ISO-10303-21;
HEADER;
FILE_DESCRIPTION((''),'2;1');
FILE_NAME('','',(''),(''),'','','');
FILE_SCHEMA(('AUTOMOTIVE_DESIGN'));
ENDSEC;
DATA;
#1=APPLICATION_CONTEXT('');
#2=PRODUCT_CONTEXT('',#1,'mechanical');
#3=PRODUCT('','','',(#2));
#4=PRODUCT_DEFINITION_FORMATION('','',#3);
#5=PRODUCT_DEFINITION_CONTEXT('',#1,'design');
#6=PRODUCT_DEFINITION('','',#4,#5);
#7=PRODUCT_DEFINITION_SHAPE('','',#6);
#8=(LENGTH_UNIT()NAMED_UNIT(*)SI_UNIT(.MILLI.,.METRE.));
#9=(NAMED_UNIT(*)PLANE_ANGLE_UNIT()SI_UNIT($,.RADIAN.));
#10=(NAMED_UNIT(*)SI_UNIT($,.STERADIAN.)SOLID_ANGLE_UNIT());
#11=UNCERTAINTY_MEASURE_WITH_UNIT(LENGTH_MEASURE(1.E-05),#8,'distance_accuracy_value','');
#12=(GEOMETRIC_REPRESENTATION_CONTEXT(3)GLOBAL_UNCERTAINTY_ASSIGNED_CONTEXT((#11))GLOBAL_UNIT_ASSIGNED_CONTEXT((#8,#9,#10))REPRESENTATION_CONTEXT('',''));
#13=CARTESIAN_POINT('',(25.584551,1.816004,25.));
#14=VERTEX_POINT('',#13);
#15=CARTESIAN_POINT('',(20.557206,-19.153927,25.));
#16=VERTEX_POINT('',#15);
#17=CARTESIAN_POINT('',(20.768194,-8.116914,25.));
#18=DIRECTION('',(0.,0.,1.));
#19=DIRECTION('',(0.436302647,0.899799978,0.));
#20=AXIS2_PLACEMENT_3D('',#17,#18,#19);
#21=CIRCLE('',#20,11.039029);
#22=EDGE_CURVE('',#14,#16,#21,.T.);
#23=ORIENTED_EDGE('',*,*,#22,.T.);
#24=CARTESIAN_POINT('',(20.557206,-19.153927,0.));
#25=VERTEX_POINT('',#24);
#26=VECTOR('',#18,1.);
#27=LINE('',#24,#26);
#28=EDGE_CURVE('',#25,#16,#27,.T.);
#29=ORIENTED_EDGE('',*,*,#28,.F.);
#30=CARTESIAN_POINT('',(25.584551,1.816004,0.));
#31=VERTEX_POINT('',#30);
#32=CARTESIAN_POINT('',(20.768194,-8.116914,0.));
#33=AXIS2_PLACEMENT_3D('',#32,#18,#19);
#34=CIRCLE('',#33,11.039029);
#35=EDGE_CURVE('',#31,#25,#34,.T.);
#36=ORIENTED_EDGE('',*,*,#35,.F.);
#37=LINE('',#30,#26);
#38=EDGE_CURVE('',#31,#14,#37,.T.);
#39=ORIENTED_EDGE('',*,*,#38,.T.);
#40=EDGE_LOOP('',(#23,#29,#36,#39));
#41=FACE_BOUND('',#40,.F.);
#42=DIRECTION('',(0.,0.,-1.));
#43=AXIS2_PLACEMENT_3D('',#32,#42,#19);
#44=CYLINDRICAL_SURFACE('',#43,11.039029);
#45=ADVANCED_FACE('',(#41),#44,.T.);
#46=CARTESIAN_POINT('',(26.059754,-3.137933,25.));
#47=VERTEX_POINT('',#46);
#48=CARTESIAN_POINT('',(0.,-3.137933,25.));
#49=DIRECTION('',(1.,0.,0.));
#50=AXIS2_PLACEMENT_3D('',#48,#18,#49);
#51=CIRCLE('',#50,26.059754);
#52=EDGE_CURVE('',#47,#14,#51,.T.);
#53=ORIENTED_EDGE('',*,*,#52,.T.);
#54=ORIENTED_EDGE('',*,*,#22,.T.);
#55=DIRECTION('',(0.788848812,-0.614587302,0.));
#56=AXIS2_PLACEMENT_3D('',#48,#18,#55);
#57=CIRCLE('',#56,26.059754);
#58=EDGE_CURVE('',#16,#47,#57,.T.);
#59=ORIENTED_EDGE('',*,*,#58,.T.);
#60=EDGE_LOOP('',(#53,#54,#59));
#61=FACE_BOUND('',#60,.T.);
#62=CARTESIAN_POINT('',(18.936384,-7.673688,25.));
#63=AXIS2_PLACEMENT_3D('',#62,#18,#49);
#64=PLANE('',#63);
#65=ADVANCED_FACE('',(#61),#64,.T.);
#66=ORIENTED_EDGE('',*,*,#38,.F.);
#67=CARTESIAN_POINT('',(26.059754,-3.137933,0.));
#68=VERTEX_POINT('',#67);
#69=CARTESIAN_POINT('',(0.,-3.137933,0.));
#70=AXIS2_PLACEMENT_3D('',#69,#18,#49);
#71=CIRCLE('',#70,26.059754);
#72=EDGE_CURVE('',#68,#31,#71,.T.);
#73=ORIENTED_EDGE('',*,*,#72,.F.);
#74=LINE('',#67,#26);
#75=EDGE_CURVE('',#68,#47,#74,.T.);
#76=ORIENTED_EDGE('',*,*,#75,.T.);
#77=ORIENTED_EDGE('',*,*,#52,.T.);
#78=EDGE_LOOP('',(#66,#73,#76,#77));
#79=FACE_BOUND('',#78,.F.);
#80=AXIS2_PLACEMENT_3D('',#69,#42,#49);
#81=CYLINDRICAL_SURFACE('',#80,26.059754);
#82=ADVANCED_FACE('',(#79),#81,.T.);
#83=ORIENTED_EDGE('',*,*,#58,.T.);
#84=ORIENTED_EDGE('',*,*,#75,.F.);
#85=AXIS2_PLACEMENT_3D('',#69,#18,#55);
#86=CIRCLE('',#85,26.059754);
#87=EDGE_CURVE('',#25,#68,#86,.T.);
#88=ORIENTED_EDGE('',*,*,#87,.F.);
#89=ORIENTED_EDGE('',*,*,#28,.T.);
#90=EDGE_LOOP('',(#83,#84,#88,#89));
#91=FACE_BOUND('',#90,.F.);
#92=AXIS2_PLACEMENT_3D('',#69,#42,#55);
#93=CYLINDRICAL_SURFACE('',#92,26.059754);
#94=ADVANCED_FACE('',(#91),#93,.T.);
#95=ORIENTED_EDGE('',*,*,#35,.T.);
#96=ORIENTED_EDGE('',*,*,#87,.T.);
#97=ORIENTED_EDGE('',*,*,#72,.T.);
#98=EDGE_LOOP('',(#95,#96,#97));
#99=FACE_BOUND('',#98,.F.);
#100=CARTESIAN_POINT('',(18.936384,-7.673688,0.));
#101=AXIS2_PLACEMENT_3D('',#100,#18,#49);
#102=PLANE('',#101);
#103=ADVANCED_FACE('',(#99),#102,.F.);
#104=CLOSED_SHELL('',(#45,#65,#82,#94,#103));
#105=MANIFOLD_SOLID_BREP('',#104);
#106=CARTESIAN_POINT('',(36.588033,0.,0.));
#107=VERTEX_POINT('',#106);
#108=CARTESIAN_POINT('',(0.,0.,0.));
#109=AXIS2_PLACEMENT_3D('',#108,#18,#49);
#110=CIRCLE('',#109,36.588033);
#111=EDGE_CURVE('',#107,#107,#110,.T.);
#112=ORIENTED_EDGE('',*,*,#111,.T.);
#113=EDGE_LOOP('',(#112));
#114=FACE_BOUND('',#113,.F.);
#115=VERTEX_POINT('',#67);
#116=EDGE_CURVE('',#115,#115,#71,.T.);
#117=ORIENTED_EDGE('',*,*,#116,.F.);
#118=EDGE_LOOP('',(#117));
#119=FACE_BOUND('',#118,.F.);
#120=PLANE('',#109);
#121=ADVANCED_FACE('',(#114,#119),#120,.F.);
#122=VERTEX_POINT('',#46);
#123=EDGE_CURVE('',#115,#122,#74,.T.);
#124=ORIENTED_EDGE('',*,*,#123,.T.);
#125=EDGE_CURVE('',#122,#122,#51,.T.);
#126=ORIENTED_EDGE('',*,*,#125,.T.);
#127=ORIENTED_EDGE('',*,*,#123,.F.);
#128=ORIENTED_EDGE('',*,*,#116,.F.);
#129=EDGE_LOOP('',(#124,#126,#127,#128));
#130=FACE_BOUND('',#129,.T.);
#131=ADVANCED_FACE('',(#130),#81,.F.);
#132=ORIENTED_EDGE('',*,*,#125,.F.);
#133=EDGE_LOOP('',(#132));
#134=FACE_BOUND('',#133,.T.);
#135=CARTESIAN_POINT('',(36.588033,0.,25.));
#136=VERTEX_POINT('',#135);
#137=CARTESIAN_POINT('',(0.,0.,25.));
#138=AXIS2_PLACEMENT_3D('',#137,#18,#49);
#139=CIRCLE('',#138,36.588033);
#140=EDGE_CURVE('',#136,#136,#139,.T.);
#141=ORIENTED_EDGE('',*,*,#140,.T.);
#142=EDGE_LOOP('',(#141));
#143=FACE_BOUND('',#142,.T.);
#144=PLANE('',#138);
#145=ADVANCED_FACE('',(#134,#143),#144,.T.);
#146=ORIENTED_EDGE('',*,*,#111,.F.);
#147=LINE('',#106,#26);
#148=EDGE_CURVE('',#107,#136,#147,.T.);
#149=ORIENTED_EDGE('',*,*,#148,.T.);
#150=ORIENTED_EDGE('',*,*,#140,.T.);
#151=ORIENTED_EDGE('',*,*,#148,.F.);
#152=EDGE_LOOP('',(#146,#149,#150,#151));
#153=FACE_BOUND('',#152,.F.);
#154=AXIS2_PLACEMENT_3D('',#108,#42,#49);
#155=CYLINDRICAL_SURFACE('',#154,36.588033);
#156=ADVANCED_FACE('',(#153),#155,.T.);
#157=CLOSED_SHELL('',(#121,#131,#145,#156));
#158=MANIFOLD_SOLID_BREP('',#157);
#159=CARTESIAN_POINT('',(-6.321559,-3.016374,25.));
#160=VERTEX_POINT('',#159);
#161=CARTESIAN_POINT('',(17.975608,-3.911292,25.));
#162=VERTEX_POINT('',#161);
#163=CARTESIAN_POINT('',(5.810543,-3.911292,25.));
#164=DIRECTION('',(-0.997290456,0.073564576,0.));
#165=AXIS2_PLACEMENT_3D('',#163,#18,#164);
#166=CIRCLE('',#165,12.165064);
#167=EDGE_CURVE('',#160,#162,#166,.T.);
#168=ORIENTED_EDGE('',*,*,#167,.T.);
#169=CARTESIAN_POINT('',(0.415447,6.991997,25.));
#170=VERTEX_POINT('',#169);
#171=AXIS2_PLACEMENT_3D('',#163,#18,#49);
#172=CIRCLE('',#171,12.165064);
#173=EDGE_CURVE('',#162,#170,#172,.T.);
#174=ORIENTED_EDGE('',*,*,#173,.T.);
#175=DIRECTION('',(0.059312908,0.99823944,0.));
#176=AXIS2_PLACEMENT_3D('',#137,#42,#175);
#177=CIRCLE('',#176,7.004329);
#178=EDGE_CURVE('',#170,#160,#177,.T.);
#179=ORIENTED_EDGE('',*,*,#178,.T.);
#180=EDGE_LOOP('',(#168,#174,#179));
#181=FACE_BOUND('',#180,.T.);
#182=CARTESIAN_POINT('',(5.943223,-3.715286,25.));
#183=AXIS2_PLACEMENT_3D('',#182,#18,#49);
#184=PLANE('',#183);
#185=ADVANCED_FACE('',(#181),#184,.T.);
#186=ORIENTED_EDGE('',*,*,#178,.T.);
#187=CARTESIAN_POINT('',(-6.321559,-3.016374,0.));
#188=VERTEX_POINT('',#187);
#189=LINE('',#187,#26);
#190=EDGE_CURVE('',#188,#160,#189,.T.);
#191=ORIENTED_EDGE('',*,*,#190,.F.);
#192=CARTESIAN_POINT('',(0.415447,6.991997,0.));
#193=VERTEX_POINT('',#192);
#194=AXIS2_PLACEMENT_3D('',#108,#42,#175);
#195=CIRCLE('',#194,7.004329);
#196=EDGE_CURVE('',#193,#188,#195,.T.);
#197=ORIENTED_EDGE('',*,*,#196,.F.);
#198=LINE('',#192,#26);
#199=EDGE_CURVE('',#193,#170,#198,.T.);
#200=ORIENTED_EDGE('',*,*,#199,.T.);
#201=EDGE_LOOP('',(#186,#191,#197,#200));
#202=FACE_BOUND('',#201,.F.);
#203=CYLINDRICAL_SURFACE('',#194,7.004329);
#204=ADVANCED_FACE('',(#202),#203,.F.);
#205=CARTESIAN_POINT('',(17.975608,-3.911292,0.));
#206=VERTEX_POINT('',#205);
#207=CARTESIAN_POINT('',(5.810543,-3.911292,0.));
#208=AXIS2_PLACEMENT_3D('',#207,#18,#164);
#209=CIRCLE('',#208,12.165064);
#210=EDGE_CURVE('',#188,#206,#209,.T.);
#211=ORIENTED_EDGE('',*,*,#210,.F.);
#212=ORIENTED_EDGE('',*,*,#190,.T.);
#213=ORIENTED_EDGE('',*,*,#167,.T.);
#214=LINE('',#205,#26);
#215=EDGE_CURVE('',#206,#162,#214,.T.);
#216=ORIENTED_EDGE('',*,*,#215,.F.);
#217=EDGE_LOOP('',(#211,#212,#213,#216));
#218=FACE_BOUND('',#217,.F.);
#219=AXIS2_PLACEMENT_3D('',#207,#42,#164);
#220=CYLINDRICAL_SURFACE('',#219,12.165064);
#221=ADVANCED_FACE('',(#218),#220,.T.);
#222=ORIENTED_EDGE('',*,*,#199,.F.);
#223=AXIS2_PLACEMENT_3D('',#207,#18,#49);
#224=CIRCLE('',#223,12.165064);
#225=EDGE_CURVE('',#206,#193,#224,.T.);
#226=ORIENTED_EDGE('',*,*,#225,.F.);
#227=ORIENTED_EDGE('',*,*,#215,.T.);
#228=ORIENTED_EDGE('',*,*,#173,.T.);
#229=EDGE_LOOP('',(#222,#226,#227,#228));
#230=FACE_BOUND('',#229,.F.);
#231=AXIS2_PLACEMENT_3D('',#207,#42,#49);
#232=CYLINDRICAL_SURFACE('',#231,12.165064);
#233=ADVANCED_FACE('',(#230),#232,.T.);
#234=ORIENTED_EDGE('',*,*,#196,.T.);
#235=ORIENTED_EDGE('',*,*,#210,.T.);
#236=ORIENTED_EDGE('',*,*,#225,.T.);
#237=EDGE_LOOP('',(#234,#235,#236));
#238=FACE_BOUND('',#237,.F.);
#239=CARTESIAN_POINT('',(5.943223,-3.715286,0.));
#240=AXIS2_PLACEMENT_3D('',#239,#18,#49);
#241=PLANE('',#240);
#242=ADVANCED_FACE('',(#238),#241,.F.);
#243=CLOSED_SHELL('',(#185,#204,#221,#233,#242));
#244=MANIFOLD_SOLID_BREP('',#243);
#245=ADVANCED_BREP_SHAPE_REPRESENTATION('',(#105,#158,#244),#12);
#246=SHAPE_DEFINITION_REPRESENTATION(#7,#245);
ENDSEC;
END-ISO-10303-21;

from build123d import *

# Parameters (mm, degrees)
F0_R     = 36.5880329935
F0_R_2   = 26.0597535875
F2_DEPTH = 25


with BuildPart() as f2:
    # F0 (on Top) → F2 (new body)
    with BuildSketch(Plane.XY):
        Circle(F0_R)
        with Locations((0, -3.1379330903)):
            Circle(F0_R_2, mode=Mode.SUBTRACT)
    extrude(amount=F2_DEPTH)


with BuildPart() as f2b:
    # F0 (on Top) → F2, piece 2 (new body)
    with BuildSketch(Plane.XY):
        with BuildLine():
            ThreePointArc((0.4154471066, 6.9919972632), (5.097575412, 4.8036805624), (7.0043288063, 0))
            ThreePointArc((7.0043288063, 0), (1.546341602, -6.8315042031), (-6.3215589318, -3.0163744294))
            ThreePointArc((-6.3215589318, -3.0163744294), (5.3627811466, -16.0681131443), (17.9756076154, -3.9112922186))
            ThreePointArc((17.9756076154, -3.9112922186), (12.2275946786, 6.4236117314), (0.4154471066, 6.9919972632))
        make_face()
    extrude(amount=F2_DEPTH)


with BuildPart() as f2c:
    # F1 (on face) → F2, piece 3 (new body)
    with BuildSketch(Plane.XY):
        with BuildLine():
            ThreePointArc((26.0597535875, -3.1379330903), (25.9406809612, -0.6495946263), (25.5845512192, 1.816004329))
            ThreePointArc((25.5845512192, 1.816004329), (10.0333502545, -5.5433353176), (20.5572056531, -19.1539267459))
            ThreePointArc((20.5572056531, -19.1539267459), (24.6457549165, -11.6053719969), (26.0597535875, -3.1379330903))
        make_face()
    extrude(amount=F2_DEPTH)


solid = Compound([f2.part, f2b.part, f2c.part])
